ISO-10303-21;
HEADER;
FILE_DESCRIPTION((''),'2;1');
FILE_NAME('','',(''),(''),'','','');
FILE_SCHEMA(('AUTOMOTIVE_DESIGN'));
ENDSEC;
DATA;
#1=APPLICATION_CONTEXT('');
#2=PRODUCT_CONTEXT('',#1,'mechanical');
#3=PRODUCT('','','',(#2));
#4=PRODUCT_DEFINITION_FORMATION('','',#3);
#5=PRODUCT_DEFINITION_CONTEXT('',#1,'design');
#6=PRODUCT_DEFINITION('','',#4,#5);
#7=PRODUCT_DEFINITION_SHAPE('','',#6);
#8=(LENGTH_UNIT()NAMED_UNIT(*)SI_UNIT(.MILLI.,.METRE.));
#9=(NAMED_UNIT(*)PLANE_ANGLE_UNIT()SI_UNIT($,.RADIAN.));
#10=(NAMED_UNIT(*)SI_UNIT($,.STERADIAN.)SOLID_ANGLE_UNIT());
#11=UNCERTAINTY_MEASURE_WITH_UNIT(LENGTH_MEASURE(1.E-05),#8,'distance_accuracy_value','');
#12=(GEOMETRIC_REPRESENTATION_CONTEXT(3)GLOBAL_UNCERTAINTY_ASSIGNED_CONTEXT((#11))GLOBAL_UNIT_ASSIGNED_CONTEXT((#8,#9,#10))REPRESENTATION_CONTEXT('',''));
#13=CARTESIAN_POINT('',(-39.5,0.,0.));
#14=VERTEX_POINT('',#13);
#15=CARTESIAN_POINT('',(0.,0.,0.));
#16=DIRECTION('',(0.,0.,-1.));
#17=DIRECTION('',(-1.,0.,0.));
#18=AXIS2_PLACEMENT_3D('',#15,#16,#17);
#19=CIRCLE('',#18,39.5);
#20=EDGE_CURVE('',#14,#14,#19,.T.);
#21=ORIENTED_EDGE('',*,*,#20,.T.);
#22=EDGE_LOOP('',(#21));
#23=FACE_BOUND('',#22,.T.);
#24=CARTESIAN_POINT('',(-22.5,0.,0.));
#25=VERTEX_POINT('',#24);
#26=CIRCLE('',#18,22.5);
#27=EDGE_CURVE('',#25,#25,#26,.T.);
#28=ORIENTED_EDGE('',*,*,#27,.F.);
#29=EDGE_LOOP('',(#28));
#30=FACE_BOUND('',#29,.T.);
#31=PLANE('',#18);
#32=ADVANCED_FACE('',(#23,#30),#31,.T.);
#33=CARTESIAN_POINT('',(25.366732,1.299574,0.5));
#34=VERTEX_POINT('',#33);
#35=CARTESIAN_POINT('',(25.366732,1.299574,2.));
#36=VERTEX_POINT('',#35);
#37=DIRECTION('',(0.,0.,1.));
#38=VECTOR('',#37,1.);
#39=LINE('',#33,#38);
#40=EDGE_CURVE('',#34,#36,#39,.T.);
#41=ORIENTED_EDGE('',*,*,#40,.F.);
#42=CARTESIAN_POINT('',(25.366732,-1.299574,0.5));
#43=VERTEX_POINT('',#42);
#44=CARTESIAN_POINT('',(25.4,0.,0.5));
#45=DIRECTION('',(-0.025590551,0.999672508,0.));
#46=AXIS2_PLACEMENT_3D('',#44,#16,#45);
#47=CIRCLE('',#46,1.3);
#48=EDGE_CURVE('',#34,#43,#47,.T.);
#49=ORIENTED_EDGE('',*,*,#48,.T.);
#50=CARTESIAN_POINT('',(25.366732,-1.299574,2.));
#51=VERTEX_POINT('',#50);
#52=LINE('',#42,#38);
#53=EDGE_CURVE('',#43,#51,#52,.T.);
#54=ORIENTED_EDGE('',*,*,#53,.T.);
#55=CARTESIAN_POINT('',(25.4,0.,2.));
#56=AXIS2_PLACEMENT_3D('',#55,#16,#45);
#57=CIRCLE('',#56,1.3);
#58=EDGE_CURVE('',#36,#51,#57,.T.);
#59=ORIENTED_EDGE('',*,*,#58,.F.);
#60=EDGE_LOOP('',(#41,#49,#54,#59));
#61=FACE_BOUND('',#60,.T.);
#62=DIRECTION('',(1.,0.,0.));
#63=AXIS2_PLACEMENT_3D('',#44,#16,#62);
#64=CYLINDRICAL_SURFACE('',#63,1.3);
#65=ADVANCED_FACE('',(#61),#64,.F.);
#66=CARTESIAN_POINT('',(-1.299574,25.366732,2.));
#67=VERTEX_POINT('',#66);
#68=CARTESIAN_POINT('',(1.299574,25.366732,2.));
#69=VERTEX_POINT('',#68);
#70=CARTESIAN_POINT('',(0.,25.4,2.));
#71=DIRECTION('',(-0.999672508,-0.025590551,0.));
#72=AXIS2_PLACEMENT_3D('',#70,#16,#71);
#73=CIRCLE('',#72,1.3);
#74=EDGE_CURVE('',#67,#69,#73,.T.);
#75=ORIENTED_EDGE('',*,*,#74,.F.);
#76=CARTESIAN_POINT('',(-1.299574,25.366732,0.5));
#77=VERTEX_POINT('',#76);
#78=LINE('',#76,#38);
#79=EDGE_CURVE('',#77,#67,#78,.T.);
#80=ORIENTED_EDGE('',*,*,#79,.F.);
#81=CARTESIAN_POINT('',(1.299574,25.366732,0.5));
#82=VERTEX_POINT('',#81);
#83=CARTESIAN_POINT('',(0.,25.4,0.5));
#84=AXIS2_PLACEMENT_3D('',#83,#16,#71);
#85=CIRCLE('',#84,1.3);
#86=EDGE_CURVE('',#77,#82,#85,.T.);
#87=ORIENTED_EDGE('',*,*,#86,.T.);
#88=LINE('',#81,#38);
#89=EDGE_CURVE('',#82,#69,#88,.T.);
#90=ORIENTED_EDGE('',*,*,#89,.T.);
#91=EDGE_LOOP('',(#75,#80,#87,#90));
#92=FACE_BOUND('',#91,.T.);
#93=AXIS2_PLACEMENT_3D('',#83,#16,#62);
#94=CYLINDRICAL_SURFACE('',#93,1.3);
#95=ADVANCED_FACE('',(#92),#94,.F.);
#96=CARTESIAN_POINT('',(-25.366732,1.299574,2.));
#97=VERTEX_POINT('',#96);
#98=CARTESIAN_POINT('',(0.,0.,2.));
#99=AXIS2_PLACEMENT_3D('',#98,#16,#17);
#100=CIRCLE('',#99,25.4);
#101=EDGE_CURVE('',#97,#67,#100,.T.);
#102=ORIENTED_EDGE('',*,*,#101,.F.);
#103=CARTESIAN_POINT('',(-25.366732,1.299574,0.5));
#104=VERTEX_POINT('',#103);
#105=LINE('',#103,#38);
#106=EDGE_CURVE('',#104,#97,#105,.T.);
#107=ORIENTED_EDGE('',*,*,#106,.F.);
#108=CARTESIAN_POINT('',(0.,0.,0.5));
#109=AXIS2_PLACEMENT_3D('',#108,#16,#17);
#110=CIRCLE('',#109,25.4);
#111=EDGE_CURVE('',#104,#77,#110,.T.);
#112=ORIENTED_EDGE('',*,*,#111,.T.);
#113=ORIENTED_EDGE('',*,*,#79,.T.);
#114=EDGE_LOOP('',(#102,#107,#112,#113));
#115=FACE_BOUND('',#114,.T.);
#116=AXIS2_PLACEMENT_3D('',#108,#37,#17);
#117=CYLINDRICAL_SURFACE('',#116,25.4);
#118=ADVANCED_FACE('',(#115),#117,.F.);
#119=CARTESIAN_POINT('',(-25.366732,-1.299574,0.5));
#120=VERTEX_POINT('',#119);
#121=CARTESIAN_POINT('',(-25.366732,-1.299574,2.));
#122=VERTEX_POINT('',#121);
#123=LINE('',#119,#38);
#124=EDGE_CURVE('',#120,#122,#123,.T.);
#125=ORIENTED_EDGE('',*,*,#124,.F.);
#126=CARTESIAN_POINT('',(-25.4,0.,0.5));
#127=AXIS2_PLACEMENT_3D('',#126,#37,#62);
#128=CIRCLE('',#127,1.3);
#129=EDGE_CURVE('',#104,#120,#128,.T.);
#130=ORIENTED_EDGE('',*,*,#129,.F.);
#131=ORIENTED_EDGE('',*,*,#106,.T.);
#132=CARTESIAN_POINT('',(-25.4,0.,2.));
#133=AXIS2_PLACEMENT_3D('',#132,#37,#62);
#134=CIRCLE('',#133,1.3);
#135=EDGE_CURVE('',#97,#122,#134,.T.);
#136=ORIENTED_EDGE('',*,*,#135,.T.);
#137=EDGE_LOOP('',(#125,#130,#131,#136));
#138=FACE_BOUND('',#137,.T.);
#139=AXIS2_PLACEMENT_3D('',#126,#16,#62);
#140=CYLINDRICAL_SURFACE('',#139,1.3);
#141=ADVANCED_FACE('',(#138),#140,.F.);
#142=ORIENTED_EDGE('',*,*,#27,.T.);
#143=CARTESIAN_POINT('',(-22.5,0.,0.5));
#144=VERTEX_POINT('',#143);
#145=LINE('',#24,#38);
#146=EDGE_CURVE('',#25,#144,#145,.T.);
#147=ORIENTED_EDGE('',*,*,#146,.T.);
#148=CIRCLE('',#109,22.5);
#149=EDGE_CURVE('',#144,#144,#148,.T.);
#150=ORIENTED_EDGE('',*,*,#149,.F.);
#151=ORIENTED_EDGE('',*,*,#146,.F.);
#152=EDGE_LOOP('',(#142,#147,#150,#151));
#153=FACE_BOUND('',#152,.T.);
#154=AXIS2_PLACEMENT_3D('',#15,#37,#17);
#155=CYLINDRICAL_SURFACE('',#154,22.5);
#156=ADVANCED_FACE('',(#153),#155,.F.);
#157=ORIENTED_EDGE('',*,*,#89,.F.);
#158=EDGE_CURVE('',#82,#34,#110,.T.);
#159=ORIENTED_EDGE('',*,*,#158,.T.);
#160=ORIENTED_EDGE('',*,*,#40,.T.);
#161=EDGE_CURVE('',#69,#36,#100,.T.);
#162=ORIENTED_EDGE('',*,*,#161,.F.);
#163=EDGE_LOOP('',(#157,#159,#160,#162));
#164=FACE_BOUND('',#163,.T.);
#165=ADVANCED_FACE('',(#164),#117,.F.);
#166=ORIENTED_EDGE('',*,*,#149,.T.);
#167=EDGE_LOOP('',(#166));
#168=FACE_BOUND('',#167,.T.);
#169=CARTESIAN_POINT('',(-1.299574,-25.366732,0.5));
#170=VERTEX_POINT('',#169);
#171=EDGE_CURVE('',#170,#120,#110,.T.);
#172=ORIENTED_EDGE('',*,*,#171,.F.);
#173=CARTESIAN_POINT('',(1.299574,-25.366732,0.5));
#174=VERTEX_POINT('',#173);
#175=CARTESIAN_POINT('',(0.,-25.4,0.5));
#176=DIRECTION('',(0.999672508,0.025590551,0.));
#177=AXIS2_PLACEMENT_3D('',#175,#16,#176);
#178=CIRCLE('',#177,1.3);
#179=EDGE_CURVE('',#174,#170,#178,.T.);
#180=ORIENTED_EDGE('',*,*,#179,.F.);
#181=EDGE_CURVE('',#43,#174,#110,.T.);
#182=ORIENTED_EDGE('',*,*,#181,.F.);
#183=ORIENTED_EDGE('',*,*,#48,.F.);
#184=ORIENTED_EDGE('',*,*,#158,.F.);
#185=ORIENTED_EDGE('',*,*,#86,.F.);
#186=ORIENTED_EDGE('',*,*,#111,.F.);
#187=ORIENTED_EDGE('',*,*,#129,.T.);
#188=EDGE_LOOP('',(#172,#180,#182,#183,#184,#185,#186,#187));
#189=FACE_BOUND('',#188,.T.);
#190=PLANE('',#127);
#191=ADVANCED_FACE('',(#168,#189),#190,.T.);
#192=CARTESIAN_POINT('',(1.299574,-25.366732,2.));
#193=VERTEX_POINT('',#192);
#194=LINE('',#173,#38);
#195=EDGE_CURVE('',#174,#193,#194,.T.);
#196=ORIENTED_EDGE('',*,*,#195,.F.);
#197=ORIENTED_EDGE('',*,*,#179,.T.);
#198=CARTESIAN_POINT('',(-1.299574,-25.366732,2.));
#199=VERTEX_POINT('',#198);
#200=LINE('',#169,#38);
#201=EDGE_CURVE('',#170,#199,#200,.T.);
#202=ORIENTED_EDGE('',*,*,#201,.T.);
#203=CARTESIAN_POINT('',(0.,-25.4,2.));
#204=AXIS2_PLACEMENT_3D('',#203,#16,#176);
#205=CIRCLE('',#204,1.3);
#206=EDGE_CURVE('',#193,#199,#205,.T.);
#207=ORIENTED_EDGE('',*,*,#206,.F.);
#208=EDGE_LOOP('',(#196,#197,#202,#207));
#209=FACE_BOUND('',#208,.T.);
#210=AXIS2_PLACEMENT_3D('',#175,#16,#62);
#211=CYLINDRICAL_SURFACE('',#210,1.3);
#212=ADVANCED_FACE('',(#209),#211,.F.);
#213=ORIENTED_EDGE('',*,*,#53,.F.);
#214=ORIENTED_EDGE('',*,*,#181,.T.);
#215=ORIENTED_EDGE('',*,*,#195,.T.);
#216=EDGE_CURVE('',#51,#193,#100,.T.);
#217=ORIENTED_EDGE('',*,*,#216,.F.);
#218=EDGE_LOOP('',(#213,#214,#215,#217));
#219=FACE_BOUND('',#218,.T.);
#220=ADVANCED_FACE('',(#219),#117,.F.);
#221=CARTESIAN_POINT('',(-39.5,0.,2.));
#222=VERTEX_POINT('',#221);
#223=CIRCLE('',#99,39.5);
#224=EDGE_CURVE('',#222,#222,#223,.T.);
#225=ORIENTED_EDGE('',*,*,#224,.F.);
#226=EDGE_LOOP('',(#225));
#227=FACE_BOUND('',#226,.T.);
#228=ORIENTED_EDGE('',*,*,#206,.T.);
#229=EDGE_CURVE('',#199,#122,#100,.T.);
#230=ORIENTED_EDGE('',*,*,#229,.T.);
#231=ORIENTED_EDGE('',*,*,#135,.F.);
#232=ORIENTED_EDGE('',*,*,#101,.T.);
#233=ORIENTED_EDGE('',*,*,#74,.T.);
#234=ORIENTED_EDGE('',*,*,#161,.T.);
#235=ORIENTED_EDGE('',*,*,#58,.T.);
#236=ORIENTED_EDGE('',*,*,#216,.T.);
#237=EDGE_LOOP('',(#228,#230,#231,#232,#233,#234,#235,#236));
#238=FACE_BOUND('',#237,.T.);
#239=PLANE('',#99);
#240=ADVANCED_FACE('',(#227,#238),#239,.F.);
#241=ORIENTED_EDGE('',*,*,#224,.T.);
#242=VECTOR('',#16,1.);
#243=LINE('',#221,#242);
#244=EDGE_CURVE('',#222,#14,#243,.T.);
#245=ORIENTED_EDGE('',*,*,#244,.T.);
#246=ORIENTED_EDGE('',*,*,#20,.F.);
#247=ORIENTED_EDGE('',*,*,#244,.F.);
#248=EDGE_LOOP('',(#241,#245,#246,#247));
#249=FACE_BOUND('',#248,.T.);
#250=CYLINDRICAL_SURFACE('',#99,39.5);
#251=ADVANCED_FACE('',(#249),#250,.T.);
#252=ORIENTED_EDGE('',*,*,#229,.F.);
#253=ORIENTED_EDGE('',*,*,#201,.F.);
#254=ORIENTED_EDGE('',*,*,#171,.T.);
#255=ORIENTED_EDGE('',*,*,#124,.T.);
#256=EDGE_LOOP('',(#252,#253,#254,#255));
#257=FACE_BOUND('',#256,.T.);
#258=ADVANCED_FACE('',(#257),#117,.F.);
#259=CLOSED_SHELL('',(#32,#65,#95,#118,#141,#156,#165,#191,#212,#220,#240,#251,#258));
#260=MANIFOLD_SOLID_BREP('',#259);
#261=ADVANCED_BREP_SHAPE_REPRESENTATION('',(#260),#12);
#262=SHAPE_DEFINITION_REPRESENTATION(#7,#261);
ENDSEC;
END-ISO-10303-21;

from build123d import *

# Parameters (mm, degrees)
F3_START = 0.5
F2_R     = 1.3
F3_DEPTH = 1.5


with BuildPart() as f1:
    # F0 (on Front) → F1 (revolve)
    with BuildSketch(Plane.XZ):
        Polygon((-39.5, 2), (-39.5, 0), (-22.5, 0), (-22.5, 0.5), (-25.4, 0.5), (-25.4, 2), (-34.4469576932, 2), align=None)
    revolve(axis=Axis((0, 0, 4.7885915264), (0, 0, -1)))

    # F2 (on Top) → F3 (cut)
    with BuildSketch(Plane.XY.offset(F3_START)):
        with Locations((0, 25.4)):
            Circle(F2_R)
        with Locations((-25.4, 0)):
            Circle(F2_R)
        with Locations((0, -25.4)):
            Circle(F2_R)
        with Locations((25.4, 0)):
            Circle(F2_R)
    extrude(amount=F3_DEPTH, mode=Mode.SUBTRACT)


solid = f1.part
